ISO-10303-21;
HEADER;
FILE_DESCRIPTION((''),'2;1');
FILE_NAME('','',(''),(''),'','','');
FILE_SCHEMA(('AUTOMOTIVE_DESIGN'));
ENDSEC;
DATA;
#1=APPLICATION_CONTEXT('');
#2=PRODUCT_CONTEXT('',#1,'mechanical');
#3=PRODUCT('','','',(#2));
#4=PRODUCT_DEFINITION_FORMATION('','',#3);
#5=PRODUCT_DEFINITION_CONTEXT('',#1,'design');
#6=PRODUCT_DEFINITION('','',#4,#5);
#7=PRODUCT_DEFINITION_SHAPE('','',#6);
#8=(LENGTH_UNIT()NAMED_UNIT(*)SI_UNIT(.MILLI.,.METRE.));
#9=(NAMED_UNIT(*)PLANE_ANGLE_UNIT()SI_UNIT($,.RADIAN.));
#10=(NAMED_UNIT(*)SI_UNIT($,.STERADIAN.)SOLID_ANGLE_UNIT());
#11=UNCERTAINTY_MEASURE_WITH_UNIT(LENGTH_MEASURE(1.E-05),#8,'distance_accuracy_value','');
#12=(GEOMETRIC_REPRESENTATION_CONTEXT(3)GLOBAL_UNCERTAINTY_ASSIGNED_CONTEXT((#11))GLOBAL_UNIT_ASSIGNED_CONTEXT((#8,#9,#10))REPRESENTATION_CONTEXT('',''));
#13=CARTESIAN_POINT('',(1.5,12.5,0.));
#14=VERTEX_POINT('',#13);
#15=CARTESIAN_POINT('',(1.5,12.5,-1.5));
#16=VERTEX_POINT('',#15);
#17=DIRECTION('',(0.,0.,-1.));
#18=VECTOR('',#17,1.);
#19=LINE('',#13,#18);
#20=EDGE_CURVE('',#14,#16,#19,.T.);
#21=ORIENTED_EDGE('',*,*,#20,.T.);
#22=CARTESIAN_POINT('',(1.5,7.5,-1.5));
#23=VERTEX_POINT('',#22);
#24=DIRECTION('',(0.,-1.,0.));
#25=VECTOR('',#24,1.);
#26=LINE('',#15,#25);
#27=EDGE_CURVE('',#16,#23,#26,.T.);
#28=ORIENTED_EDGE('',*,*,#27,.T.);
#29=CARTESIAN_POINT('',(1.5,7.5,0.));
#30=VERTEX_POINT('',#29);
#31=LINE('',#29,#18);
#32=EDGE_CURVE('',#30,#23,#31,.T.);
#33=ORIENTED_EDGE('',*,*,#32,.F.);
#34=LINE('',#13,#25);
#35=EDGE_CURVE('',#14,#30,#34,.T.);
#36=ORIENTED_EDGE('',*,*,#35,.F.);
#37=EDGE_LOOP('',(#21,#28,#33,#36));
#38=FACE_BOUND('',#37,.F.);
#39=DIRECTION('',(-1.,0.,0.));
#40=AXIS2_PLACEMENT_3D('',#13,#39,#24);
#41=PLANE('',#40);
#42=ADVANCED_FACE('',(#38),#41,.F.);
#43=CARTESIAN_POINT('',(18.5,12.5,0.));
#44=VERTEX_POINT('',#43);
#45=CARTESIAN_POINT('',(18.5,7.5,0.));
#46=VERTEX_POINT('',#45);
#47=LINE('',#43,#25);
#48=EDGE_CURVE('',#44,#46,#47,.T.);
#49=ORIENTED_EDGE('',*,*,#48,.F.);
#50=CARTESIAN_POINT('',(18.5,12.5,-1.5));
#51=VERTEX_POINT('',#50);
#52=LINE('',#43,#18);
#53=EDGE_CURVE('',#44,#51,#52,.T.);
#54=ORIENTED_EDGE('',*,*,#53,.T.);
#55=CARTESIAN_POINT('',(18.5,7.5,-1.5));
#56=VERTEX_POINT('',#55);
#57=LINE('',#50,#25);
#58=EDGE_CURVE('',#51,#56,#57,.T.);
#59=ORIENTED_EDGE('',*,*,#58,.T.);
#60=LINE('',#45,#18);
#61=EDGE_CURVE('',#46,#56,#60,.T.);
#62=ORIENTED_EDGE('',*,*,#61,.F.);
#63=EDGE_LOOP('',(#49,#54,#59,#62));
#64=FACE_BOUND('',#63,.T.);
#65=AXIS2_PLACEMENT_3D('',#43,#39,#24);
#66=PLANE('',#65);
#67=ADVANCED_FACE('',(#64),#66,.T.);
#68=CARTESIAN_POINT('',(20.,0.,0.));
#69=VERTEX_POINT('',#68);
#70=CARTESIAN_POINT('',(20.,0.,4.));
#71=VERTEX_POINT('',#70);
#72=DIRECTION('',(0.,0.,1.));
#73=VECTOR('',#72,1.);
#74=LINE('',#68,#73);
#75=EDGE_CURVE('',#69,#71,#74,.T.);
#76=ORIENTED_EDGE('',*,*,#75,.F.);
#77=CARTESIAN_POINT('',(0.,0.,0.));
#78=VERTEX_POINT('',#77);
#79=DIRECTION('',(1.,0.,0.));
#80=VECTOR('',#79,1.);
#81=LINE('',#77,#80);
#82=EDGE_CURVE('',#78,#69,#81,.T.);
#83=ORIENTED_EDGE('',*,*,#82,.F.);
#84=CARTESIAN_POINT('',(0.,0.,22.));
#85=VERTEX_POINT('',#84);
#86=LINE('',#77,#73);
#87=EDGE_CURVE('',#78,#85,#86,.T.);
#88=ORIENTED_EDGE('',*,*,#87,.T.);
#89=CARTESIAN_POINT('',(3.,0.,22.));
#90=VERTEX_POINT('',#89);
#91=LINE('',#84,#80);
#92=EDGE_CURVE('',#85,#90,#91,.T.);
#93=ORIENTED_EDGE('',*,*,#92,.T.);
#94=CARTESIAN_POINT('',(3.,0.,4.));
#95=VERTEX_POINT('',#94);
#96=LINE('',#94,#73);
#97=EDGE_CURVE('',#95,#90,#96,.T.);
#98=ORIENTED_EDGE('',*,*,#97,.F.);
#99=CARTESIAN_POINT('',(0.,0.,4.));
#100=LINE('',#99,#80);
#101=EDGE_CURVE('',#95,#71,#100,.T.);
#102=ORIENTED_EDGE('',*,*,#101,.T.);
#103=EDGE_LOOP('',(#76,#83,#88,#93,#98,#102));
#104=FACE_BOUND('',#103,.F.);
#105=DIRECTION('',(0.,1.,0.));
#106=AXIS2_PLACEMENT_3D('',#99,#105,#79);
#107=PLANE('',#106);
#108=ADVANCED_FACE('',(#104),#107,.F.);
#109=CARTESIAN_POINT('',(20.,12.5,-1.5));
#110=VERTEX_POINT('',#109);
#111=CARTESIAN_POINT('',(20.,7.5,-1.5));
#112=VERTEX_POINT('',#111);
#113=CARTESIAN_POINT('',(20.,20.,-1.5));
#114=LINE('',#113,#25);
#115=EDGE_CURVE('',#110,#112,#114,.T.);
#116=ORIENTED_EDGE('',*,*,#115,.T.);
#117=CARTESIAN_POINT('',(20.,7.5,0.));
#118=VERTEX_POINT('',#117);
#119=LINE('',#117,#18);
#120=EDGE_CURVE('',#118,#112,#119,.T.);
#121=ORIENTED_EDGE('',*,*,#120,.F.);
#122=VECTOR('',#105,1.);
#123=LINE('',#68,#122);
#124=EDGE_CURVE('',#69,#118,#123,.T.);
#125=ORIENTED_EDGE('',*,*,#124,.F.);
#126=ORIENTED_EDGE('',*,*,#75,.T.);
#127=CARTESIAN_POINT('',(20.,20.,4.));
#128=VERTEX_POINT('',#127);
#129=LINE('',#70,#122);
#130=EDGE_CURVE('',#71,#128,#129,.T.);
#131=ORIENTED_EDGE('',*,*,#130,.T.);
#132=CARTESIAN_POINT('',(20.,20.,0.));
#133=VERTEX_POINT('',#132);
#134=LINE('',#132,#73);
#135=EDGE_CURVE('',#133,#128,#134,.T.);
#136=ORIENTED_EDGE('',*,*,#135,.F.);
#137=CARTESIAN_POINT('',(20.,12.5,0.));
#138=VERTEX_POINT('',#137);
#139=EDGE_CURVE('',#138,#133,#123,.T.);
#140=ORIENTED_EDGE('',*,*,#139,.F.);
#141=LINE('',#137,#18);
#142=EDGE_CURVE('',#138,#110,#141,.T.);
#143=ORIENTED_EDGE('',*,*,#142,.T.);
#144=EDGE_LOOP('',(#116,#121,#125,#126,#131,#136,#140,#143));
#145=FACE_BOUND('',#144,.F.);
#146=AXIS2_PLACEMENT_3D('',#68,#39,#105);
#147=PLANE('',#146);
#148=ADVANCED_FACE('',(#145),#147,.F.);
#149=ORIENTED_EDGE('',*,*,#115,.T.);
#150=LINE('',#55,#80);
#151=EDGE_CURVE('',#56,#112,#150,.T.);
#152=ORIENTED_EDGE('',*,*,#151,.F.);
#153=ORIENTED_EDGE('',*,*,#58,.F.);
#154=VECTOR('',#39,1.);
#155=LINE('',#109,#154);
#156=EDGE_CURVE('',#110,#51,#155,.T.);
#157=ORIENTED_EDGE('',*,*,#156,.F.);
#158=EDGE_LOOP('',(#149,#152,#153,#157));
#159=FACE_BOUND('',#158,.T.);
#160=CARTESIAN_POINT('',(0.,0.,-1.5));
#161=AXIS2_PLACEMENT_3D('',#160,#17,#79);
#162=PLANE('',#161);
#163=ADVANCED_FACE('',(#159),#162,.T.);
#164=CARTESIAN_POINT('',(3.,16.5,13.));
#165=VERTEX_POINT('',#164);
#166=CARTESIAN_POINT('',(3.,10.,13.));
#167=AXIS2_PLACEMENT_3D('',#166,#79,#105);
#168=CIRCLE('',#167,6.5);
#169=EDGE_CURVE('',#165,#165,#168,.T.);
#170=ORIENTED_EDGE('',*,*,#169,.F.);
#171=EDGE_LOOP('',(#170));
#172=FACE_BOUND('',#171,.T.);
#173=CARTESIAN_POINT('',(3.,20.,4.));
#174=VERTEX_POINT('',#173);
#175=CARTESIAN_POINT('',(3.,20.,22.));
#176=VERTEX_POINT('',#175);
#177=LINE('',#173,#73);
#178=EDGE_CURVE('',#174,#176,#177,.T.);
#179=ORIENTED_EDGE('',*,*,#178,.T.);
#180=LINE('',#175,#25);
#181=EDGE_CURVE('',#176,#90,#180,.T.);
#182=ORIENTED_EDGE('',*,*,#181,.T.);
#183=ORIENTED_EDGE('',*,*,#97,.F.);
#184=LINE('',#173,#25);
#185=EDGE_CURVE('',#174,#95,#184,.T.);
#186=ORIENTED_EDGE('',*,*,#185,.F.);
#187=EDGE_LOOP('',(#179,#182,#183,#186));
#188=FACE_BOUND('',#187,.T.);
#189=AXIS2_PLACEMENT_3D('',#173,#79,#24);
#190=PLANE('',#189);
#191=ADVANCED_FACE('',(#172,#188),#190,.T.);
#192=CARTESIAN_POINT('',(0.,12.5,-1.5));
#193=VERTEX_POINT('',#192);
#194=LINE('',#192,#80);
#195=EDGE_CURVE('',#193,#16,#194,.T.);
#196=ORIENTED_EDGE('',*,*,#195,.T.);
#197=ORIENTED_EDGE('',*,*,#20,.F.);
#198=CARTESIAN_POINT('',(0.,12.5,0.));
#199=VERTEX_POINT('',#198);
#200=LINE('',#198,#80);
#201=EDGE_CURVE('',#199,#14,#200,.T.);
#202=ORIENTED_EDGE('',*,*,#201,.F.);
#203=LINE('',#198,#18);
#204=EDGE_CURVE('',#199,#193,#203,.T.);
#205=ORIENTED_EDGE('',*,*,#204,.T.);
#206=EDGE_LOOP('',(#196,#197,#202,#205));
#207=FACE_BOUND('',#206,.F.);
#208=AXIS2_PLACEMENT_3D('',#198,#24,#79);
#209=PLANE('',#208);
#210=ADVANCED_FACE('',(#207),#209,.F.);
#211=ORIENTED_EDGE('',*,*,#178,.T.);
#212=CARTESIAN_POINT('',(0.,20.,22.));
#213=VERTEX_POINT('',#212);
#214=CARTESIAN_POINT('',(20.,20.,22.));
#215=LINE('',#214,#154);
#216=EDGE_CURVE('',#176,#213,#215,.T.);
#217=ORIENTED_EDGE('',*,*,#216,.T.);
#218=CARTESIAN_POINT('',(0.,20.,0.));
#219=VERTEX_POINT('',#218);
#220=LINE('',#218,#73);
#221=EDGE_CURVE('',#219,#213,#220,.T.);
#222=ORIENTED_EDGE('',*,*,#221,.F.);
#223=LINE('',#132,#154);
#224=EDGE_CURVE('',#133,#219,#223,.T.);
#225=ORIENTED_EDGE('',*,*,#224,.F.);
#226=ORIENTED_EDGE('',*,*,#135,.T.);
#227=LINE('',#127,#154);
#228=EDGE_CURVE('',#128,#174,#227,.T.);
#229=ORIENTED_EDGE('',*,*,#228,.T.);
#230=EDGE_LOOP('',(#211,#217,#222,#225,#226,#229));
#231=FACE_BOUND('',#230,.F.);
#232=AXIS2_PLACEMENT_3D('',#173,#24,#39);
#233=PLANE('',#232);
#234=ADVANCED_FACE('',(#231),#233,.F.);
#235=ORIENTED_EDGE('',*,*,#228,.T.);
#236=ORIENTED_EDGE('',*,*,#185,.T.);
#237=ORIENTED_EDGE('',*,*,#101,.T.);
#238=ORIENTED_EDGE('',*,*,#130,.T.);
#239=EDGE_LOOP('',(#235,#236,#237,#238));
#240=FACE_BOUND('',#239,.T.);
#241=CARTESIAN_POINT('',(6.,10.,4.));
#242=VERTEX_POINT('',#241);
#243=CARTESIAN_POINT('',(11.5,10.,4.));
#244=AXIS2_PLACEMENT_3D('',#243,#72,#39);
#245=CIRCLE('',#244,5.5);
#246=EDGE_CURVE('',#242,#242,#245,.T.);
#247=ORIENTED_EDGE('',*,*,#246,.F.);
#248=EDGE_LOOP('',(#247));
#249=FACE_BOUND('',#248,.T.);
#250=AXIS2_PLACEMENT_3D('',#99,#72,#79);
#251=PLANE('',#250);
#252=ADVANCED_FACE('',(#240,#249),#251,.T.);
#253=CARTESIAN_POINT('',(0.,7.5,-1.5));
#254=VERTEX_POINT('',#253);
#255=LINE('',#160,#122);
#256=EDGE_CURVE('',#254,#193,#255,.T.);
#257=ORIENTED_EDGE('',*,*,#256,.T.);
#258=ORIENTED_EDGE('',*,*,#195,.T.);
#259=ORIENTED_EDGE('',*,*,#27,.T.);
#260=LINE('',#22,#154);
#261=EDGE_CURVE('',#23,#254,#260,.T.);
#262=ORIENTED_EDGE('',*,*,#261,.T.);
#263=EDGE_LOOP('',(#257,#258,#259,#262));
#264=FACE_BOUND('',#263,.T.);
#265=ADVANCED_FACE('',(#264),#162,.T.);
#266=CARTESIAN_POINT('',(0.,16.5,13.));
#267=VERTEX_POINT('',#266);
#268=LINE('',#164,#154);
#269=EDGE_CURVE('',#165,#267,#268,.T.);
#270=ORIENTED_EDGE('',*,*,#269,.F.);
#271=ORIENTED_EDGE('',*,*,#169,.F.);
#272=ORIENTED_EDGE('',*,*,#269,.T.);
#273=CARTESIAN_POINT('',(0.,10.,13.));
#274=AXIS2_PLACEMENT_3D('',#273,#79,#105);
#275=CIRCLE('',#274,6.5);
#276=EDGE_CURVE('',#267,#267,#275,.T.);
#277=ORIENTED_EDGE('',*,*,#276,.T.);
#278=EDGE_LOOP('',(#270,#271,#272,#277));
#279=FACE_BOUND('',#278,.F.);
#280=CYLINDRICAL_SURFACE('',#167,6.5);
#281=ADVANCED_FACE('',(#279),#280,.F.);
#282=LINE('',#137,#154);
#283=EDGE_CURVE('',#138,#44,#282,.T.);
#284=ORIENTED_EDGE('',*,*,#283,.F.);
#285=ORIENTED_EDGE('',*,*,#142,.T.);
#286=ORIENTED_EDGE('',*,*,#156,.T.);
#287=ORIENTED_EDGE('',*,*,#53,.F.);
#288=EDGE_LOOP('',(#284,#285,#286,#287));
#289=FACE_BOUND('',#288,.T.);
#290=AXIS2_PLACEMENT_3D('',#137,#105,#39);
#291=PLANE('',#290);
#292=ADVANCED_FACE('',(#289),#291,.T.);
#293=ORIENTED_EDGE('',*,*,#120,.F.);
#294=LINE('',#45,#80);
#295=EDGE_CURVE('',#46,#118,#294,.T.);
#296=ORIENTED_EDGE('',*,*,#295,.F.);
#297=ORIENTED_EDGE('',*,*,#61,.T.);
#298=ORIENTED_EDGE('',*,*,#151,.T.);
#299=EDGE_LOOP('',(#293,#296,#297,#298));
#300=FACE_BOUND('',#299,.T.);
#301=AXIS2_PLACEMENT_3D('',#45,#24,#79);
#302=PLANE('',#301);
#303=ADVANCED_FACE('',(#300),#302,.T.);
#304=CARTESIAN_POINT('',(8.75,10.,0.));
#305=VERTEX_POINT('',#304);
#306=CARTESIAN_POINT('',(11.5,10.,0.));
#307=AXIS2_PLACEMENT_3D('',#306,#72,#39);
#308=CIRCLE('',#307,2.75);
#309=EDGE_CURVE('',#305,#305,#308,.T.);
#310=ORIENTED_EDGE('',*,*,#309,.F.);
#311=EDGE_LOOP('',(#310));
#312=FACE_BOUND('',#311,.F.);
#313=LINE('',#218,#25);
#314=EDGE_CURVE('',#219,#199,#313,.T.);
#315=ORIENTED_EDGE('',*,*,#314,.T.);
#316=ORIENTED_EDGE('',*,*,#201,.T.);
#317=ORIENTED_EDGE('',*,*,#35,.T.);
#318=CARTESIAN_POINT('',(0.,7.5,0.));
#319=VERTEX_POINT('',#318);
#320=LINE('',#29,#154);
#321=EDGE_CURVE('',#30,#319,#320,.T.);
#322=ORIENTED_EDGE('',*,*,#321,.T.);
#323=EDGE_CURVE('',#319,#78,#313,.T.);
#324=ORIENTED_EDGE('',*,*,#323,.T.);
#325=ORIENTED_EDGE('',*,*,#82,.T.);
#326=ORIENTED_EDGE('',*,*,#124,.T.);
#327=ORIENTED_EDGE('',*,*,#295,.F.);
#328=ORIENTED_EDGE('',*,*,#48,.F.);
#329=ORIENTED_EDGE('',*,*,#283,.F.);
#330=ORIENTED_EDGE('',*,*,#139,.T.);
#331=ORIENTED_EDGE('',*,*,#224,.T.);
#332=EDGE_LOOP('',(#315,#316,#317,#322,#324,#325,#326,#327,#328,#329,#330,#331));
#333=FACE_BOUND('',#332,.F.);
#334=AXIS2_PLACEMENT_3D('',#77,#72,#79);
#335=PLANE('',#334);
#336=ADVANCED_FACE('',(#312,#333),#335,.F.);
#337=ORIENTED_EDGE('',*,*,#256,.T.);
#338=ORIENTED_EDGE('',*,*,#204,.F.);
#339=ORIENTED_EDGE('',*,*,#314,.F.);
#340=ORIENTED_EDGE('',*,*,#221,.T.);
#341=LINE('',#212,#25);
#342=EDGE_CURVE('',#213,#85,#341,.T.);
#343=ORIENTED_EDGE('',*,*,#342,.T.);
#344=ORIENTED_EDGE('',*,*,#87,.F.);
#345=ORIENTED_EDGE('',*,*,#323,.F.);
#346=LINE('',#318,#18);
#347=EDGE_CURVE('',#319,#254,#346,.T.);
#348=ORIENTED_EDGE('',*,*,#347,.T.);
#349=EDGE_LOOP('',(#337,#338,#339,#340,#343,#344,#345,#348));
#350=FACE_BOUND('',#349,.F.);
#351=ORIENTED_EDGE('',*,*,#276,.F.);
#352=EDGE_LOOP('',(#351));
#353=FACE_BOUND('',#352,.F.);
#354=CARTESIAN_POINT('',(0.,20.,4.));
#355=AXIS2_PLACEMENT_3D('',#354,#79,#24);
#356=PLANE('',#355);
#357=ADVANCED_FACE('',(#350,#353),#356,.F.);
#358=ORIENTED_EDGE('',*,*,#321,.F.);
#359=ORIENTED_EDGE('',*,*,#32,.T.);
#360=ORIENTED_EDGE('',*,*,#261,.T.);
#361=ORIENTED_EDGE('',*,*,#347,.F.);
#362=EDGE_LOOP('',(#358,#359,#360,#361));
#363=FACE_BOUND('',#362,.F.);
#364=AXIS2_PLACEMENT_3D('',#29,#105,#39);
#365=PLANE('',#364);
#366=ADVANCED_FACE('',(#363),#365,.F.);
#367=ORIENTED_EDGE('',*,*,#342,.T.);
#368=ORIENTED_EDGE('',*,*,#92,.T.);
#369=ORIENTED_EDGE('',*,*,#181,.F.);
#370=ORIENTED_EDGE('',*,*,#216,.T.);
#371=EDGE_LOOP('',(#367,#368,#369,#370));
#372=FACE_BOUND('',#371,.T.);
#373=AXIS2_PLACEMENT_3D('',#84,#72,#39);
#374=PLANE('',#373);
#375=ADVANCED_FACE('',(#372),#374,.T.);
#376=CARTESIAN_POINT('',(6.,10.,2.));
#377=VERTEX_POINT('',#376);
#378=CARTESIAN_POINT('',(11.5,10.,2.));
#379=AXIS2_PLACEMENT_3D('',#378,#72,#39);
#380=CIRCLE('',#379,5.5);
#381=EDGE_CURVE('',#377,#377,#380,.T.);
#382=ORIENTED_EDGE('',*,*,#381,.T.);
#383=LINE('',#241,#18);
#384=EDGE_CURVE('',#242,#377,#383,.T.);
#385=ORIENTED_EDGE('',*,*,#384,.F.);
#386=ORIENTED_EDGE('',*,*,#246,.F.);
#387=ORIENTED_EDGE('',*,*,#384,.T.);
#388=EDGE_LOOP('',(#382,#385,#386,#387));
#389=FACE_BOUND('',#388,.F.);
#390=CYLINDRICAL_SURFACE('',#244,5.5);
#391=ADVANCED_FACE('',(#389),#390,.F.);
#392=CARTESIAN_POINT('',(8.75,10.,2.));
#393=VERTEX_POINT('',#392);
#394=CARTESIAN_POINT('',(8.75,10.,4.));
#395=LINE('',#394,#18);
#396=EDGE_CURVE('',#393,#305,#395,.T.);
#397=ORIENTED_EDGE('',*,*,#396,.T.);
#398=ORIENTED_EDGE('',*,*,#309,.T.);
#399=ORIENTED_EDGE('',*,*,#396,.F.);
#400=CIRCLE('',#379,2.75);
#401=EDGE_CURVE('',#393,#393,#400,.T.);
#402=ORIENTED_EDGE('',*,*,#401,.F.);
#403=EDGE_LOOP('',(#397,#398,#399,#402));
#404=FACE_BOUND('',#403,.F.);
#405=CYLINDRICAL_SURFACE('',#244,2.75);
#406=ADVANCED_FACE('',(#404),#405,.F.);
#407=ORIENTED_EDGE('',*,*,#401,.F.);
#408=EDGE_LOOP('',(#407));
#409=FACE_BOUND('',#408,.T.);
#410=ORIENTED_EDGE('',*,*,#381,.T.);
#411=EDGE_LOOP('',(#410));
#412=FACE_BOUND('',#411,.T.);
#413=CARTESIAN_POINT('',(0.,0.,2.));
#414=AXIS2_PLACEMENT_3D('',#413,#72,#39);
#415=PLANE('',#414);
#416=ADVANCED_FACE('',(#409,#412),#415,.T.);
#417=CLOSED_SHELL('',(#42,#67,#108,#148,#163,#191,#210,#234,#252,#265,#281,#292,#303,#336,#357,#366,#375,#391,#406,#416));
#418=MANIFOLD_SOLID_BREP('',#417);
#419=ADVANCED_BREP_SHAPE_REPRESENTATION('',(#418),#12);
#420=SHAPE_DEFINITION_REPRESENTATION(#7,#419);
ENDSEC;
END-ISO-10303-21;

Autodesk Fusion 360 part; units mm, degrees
sketch "Sketch1" plane through (0, 0, 0) normal (0, 0, 1) x (1, 0, 0)
  line L0 (0, 0) -> (20, 0)
  line L1 (20, 0) -> (20, 20)
  line L2 (20, 20) -> (0, 20)
  line L3 (0, 20) -> (0, 0)
  dimension "d1" = 20
  dimension "d2" = 20
extrude "Extrude1" add sketch "Sketch1" along normal blind 4
sketch "Sketch2" plane through (0, 0, 4) normal (0, 0, 1) x (-1, 0, 0)
  line L0 (0, -20) -> (0, 0)
  line L1 (0, 0) -> (-20, 0)
  line L2 (-20, 0) -> (-20, -20)
  line L3 (-20, -20) -> (0, -20)
  line L4 (-3, -20) -> (-3, 0)
  circle A0 centre (-11.5, -10) radius 2.75
  circle A1 centre (-11.5, -10) radius 5.5
  line L5 (0, -10) -> (-20, -10) construction
  dimension "d5" = 5.5
  dimension "d6" = 11
  dimension "d7" = 3
  dimension "d8" = 3
  dimension "d9" = 3
extrude "Extrude2" cut sketch "Sketch2" against normal up to surface (4 mm away) contours A0
extrude "Extrude3" cut sketch "Sketch2" against normal blind 2 contours A1
extrude "Extrude4" add sketch "Sketch2" along normal blind 18 contours L0 L1 L3 L4
sketch "Sketch3" plane through (3, 0, 0) normal (1, 0, 0) x (0, 1, 0)
  line L0 (0, 4) -> (20, 4)
  line L1 (20, 4) -> (20, 22)
  line L2 (20, 22) -> (0, 22)
  line L3 (0, 22) -> (0, 4)
  line L4 (0, 13) -> (20, 13) construction
  line L5 (10, 22) -> (10, 4) construction
  circle A0 centre (10, 13) radius 6.5
  dimension "d16" = 13
extrude "Extrude5" cut sketch "Sketch3" against normal up to surface (3 mm away) contours A0
sketch "Sketch4" plane through (0, 0, 0) normal (0, 0, -1) x (1, 0, 0)
  circle A0 centre (11.5, -10) radius 2.75
  line L0 (0, 0) -> (0, -20)
  line L1 (0, -20) -> (20, -20)
  line L2 (20, -20) -> (20, 0)
  line L3 (20, 0) -> (0, 0)
  line L4 (0, -10) -> (20, -10) construction
  line L5 (20, -12.5) -> (18.5, -12.5)
  line L6 (18.5, -12.5) -> (18.5, -7.5)
  line L7 (18.5, -7.5) -> (20, -7.5)
  line L8 (10, -20) -> (10, 0) construction
  line L9 (0, -12.5) -> (1.5, -12.5)
  line L10 (1.5, -12.5) -> (1.5, -7.5)
  line L11 (1.5, -7.5) -> (0, -7.5)
  dimension "d19" = 5
  dimension "d20" = 1.5
  dimension "d21" = 7.5
extrude "Extrude6" add sketch "Sketch4" along normal blind 1.5 contours L0 L9 L10 L11 | L2 L5 L6 L7
